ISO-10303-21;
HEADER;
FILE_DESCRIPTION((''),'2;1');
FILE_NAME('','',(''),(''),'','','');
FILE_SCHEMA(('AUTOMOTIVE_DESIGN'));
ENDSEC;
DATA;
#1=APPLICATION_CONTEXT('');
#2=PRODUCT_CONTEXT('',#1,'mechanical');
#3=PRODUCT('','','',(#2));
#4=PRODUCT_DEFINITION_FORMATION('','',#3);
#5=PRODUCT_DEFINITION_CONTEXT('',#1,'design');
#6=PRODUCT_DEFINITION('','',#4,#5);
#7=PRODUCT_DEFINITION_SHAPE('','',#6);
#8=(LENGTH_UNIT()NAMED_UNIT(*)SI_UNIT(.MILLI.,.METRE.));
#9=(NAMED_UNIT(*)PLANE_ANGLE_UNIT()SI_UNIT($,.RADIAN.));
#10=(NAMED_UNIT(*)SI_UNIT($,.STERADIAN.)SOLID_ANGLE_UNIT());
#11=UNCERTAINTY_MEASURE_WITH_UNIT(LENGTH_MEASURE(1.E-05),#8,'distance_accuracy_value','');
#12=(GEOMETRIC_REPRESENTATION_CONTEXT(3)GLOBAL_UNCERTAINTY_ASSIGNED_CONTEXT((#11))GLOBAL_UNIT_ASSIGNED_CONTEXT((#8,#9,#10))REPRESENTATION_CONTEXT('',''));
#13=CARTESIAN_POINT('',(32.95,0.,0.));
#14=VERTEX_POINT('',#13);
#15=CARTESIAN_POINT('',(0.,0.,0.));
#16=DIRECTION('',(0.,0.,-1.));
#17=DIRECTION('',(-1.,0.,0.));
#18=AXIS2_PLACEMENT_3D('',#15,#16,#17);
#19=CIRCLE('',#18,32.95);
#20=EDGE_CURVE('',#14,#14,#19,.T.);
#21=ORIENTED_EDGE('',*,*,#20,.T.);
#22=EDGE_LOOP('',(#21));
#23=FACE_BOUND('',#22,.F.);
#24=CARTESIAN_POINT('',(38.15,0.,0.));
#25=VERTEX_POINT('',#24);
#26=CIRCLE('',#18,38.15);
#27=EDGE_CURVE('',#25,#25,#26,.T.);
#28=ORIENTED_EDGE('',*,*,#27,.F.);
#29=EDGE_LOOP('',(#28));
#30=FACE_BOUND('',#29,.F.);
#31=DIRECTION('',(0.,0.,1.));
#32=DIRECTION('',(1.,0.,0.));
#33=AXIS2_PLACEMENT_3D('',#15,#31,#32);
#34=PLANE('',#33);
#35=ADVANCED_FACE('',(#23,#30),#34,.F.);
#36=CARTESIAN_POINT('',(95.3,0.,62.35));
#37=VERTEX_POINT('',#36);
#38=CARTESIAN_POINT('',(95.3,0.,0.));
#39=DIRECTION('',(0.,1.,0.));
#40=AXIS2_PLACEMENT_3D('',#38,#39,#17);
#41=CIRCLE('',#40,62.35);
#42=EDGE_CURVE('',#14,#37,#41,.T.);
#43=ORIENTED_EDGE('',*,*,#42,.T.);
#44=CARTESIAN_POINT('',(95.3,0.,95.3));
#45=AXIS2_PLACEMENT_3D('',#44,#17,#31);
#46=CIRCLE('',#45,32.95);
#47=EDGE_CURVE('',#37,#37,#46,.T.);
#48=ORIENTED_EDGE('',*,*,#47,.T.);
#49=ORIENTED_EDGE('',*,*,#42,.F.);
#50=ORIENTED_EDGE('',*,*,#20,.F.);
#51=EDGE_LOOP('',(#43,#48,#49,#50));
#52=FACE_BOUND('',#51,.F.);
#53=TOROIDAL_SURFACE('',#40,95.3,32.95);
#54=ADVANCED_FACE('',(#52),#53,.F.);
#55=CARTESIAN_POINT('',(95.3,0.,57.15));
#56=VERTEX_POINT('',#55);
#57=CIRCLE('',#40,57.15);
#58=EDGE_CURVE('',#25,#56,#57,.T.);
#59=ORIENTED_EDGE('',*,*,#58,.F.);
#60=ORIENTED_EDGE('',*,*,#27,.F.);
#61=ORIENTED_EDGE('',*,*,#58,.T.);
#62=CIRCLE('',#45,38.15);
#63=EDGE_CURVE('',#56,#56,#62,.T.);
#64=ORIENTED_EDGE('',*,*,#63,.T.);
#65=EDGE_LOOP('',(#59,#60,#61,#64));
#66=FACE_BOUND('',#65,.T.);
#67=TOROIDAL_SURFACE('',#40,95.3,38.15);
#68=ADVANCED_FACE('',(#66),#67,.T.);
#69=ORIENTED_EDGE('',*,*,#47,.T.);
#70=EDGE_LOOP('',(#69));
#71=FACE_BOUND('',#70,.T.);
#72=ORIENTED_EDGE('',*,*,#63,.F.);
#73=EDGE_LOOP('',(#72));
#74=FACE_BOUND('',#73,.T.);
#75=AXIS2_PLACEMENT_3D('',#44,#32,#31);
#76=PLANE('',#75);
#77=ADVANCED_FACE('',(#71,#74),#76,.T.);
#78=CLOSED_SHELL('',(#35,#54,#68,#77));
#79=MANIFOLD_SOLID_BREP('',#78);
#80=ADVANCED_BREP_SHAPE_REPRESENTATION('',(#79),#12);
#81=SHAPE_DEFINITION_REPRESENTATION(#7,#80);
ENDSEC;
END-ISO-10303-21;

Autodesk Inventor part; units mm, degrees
ref_plane "YZ Plane" through (0, 0, 0) normal (1, 0, 0) x (0, 1, 0)
ref_plane "XZ Plane" through (0, 0, 0) normal (0, 1, 0) x (-1, 0, 0)
ref_plane "XY Plane" through (0, 0, 0) normal (0, 0, 1) x (1, 0, 0)
sketch "Sketch1" plane through (0, 0, 0) normal (0, 0, 1) x (1, 0, 0)
  circle A0 centre (0, 0) radius 32.95
  circle A1 centre (0, 0) radius 38.15
  dimension "d0" = 65.9
  dimension "d1" = 76.3
sketch "Sketch2" plane through (0, 0, 0) normal (0, 1, 0) x (-1, 0, 0)
  line L0 (0, 0) -> (0, 95.3) construction
  line L1 (0, 95.3) -> (-95.3, 95.3) construction
  arc A0 (0, 0) -> (-95.3, 95.3) centre (-95.3, 0) ccw
  dimension "d2" = 95.3
  dimension "d3" = 90
  dimension "d4" = 95.3
sweep "Sweep1" add profiles "Sketch1" path "Sketch2"
equation "\"d0\" = D - 2 * T"
equation "\"d1\" = D"
equation "\"d2\" = F1"
equation "\"d4\" = F1"
equation "\"D\" = 76.3"
equation "\"F1\" = 95.3"
equation "\"T\" = 5.2"
equation "\"Size_Designation\" = 1.2345"
properties part number "JIS B 2312 90 Deg Long Elbow Steel 65A x Sch 40" material "Steel"
